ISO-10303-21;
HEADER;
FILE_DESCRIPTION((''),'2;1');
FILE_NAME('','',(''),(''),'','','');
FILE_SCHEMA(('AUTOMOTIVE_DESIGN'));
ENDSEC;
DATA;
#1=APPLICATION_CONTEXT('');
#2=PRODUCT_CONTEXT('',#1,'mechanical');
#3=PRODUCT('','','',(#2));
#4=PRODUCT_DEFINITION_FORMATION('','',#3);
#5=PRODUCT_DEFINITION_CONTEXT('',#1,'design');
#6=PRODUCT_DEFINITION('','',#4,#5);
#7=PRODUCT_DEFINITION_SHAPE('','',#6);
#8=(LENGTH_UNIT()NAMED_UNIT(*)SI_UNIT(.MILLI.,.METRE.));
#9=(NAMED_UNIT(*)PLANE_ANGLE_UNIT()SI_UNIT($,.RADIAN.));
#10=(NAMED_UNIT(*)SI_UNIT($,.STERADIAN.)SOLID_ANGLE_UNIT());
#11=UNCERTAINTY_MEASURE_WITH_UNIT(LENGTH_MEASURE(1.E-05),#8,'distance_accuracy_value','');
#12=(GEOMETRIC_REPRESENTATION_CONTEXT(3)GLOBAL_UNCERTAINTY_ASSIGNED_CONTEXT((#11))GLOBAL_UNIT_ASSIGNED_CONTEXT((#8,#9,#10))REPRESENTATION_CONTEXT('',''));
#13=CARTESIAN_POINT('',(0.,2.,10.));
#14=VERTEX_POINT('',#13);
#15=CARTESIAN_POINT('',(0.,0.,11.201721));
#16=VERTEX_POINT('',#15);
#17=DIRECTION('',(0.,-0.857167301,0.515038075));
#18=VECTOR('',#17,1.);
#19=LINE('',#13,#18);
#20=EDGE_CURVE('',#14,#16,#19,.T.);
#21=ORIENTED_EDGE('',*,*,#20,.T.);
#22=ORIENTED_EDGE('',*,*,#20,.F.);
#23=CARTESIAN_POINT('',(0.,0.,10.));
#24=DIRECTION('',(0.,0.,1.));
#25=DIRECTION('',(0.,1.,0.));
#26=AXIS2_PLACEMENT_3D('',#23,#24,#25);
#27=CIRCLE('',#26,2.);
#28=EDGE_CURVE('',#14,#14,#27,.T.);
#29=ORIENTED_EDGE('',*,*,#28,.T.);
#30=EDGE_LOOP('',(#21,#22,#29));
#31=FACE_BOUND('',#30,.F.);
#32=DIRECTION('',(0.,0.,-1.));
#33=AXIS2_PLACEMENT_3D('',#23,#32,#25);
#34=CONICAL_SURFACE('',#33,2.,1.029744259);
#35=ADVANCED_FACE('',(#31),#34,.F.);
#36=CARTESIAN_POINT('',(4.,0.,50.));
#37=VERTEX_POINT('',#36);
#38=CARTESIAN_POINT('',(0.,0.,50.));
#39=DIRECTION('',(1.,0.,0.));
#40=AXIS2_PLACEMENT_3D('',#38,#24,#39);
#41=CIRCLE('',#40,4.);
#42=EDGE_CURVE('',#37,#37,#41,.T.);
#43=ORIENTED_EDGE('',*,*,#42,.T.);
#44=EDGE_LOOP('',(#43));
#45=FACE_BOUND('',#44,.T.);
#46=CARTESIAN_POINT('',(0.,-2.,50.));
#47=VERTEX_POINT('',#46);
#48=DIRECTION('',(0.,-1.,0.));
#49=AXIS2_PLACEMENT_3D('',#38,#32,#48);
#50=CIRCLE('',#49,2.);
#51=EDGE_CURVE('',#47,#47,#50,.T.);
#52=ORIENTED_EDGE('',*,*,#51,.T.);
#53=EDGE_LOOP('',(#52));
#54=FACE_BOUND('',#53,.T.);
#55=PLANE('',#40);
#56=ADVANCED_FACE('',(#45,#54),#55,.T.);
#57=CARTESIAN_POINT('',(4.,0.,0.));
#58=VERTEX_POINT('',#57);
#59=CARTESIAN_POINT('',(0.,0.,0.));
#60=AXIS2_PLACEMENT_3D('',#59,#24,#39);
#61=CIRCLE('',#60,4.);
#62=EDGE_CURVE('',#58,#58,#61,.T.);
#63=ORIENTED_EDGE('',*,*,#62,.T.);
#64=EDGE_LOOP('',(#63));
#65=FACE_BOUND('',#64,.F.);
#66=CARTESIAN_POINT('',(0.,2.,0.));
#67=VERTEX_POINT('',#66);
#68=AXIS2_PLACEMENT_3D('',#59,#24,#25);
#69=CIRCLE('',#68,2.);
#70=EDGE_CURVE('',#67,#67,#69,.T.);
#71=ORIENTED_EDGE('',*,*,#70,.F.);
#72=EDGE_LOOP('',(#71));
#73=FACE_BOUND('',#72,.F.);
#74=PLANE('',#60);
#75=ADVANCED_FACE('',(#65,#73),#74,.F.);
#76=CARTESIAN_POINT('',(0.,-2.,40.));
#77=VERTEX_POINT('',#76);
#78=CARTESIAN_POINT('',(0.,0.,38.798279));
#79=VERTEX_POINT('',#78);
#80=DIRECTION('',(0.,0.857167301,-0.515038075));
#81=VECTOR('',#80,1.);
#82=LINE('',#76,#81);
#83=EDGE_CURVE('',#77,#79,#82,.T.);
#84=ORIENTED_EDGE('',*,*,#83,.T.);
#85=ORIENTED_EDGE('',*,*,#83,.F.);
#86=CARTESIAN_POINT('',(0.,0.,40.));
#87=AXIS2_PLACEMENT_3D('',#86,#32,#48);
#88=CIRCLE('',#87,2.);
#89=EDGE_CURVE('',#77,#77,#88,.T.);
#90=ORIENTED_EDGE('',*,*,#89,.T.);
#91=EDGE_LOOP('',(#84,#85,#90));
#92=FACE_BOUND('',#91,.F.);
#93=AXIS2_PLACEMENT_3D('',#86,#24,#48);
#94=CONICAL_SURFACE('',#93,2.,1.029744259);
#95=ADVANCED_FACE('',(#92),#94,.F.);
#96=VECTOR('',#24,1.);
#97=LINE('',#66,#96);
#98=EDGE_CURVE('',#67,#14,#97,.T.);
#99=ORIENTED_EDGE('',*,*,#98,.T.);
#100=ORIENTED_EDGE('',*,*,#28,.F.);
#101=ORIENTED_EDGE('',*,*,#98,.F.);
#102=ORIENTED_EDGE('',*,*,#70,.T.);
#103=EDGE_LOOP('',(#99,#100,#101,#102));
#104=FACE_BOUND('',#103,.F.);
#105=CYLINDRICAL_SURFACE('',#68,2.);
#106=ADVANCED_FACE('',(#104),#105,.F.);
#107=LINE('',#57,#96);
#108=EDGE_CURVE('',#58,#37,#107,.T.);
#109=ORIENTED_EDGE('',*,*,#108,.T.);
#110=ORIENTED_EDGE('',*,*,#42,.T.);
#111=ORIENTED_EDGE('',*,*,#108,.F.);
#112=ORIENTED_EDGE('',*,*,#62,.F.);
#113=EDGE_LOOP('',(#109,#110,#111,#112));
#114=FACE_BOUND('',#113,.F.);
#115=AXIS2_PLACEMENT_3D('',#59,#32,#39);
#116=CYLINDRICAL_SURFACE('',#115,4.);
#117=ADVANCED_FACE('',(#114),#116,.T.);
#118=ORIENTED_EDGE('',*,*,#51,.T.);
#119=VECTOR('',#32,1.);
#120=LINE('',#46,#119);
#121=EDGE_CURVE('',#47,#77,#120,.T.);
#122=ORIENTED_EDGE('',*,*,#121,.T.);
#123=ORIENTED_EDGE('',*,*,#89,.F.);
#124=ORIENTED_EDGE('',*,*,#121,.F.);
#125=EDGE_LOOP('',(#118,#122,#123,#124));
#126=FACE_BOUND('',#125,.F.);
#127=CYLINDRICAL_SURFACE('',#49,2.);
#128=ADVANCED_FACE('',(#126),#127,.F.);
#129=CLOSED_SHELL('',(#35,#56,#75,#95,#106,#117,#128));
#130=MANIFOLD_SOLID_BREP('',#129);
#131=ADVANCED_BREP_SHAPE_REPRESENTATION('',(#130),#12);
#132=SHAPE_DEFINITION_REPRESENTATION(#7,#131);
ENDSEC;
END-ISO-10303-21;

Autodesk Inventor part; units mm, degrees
ref_plane "YZ Plane" through (0, 0, 0) normal (1, 0, 0) x (0, 1, 0)
ref_plane "XZ Plane" through (0, 0, 0) normal (0, 1, 0) x (-1, 0, 0)
ref_plane "XY Plane" through (0, 0, 0) normal (0, 0, 1) x (1, 0, 0)
sketch "Esquisse2" plane through (0, 0, 0) normal (0, 0, 1) x (1, 0, 0)
  circle A0 centre (0, 0) radius 4
  dimension "d4" = 8
extrude "Extrusion2" add sketch "Esquisse2" along normal blind 50
hole "Perçage1" at (0, 0, 50) direction (0, 0, -1) diameter 4 depth 10 tip angle 118
hole "Perçage2" at (0, 0, 0) direction (0, 0, 1) diameter 4 depth 10 tip angle 118
thread "Filetage1" size "M4x0.7" class "6H" standard "ANSI Metric M Profile" full length
thread "Filetage2" size "M4x0.7" class "6H" standard "ANSI Metric M Profile" full length
properties part number "Tube-4mm" material "Aluminium 6061"
